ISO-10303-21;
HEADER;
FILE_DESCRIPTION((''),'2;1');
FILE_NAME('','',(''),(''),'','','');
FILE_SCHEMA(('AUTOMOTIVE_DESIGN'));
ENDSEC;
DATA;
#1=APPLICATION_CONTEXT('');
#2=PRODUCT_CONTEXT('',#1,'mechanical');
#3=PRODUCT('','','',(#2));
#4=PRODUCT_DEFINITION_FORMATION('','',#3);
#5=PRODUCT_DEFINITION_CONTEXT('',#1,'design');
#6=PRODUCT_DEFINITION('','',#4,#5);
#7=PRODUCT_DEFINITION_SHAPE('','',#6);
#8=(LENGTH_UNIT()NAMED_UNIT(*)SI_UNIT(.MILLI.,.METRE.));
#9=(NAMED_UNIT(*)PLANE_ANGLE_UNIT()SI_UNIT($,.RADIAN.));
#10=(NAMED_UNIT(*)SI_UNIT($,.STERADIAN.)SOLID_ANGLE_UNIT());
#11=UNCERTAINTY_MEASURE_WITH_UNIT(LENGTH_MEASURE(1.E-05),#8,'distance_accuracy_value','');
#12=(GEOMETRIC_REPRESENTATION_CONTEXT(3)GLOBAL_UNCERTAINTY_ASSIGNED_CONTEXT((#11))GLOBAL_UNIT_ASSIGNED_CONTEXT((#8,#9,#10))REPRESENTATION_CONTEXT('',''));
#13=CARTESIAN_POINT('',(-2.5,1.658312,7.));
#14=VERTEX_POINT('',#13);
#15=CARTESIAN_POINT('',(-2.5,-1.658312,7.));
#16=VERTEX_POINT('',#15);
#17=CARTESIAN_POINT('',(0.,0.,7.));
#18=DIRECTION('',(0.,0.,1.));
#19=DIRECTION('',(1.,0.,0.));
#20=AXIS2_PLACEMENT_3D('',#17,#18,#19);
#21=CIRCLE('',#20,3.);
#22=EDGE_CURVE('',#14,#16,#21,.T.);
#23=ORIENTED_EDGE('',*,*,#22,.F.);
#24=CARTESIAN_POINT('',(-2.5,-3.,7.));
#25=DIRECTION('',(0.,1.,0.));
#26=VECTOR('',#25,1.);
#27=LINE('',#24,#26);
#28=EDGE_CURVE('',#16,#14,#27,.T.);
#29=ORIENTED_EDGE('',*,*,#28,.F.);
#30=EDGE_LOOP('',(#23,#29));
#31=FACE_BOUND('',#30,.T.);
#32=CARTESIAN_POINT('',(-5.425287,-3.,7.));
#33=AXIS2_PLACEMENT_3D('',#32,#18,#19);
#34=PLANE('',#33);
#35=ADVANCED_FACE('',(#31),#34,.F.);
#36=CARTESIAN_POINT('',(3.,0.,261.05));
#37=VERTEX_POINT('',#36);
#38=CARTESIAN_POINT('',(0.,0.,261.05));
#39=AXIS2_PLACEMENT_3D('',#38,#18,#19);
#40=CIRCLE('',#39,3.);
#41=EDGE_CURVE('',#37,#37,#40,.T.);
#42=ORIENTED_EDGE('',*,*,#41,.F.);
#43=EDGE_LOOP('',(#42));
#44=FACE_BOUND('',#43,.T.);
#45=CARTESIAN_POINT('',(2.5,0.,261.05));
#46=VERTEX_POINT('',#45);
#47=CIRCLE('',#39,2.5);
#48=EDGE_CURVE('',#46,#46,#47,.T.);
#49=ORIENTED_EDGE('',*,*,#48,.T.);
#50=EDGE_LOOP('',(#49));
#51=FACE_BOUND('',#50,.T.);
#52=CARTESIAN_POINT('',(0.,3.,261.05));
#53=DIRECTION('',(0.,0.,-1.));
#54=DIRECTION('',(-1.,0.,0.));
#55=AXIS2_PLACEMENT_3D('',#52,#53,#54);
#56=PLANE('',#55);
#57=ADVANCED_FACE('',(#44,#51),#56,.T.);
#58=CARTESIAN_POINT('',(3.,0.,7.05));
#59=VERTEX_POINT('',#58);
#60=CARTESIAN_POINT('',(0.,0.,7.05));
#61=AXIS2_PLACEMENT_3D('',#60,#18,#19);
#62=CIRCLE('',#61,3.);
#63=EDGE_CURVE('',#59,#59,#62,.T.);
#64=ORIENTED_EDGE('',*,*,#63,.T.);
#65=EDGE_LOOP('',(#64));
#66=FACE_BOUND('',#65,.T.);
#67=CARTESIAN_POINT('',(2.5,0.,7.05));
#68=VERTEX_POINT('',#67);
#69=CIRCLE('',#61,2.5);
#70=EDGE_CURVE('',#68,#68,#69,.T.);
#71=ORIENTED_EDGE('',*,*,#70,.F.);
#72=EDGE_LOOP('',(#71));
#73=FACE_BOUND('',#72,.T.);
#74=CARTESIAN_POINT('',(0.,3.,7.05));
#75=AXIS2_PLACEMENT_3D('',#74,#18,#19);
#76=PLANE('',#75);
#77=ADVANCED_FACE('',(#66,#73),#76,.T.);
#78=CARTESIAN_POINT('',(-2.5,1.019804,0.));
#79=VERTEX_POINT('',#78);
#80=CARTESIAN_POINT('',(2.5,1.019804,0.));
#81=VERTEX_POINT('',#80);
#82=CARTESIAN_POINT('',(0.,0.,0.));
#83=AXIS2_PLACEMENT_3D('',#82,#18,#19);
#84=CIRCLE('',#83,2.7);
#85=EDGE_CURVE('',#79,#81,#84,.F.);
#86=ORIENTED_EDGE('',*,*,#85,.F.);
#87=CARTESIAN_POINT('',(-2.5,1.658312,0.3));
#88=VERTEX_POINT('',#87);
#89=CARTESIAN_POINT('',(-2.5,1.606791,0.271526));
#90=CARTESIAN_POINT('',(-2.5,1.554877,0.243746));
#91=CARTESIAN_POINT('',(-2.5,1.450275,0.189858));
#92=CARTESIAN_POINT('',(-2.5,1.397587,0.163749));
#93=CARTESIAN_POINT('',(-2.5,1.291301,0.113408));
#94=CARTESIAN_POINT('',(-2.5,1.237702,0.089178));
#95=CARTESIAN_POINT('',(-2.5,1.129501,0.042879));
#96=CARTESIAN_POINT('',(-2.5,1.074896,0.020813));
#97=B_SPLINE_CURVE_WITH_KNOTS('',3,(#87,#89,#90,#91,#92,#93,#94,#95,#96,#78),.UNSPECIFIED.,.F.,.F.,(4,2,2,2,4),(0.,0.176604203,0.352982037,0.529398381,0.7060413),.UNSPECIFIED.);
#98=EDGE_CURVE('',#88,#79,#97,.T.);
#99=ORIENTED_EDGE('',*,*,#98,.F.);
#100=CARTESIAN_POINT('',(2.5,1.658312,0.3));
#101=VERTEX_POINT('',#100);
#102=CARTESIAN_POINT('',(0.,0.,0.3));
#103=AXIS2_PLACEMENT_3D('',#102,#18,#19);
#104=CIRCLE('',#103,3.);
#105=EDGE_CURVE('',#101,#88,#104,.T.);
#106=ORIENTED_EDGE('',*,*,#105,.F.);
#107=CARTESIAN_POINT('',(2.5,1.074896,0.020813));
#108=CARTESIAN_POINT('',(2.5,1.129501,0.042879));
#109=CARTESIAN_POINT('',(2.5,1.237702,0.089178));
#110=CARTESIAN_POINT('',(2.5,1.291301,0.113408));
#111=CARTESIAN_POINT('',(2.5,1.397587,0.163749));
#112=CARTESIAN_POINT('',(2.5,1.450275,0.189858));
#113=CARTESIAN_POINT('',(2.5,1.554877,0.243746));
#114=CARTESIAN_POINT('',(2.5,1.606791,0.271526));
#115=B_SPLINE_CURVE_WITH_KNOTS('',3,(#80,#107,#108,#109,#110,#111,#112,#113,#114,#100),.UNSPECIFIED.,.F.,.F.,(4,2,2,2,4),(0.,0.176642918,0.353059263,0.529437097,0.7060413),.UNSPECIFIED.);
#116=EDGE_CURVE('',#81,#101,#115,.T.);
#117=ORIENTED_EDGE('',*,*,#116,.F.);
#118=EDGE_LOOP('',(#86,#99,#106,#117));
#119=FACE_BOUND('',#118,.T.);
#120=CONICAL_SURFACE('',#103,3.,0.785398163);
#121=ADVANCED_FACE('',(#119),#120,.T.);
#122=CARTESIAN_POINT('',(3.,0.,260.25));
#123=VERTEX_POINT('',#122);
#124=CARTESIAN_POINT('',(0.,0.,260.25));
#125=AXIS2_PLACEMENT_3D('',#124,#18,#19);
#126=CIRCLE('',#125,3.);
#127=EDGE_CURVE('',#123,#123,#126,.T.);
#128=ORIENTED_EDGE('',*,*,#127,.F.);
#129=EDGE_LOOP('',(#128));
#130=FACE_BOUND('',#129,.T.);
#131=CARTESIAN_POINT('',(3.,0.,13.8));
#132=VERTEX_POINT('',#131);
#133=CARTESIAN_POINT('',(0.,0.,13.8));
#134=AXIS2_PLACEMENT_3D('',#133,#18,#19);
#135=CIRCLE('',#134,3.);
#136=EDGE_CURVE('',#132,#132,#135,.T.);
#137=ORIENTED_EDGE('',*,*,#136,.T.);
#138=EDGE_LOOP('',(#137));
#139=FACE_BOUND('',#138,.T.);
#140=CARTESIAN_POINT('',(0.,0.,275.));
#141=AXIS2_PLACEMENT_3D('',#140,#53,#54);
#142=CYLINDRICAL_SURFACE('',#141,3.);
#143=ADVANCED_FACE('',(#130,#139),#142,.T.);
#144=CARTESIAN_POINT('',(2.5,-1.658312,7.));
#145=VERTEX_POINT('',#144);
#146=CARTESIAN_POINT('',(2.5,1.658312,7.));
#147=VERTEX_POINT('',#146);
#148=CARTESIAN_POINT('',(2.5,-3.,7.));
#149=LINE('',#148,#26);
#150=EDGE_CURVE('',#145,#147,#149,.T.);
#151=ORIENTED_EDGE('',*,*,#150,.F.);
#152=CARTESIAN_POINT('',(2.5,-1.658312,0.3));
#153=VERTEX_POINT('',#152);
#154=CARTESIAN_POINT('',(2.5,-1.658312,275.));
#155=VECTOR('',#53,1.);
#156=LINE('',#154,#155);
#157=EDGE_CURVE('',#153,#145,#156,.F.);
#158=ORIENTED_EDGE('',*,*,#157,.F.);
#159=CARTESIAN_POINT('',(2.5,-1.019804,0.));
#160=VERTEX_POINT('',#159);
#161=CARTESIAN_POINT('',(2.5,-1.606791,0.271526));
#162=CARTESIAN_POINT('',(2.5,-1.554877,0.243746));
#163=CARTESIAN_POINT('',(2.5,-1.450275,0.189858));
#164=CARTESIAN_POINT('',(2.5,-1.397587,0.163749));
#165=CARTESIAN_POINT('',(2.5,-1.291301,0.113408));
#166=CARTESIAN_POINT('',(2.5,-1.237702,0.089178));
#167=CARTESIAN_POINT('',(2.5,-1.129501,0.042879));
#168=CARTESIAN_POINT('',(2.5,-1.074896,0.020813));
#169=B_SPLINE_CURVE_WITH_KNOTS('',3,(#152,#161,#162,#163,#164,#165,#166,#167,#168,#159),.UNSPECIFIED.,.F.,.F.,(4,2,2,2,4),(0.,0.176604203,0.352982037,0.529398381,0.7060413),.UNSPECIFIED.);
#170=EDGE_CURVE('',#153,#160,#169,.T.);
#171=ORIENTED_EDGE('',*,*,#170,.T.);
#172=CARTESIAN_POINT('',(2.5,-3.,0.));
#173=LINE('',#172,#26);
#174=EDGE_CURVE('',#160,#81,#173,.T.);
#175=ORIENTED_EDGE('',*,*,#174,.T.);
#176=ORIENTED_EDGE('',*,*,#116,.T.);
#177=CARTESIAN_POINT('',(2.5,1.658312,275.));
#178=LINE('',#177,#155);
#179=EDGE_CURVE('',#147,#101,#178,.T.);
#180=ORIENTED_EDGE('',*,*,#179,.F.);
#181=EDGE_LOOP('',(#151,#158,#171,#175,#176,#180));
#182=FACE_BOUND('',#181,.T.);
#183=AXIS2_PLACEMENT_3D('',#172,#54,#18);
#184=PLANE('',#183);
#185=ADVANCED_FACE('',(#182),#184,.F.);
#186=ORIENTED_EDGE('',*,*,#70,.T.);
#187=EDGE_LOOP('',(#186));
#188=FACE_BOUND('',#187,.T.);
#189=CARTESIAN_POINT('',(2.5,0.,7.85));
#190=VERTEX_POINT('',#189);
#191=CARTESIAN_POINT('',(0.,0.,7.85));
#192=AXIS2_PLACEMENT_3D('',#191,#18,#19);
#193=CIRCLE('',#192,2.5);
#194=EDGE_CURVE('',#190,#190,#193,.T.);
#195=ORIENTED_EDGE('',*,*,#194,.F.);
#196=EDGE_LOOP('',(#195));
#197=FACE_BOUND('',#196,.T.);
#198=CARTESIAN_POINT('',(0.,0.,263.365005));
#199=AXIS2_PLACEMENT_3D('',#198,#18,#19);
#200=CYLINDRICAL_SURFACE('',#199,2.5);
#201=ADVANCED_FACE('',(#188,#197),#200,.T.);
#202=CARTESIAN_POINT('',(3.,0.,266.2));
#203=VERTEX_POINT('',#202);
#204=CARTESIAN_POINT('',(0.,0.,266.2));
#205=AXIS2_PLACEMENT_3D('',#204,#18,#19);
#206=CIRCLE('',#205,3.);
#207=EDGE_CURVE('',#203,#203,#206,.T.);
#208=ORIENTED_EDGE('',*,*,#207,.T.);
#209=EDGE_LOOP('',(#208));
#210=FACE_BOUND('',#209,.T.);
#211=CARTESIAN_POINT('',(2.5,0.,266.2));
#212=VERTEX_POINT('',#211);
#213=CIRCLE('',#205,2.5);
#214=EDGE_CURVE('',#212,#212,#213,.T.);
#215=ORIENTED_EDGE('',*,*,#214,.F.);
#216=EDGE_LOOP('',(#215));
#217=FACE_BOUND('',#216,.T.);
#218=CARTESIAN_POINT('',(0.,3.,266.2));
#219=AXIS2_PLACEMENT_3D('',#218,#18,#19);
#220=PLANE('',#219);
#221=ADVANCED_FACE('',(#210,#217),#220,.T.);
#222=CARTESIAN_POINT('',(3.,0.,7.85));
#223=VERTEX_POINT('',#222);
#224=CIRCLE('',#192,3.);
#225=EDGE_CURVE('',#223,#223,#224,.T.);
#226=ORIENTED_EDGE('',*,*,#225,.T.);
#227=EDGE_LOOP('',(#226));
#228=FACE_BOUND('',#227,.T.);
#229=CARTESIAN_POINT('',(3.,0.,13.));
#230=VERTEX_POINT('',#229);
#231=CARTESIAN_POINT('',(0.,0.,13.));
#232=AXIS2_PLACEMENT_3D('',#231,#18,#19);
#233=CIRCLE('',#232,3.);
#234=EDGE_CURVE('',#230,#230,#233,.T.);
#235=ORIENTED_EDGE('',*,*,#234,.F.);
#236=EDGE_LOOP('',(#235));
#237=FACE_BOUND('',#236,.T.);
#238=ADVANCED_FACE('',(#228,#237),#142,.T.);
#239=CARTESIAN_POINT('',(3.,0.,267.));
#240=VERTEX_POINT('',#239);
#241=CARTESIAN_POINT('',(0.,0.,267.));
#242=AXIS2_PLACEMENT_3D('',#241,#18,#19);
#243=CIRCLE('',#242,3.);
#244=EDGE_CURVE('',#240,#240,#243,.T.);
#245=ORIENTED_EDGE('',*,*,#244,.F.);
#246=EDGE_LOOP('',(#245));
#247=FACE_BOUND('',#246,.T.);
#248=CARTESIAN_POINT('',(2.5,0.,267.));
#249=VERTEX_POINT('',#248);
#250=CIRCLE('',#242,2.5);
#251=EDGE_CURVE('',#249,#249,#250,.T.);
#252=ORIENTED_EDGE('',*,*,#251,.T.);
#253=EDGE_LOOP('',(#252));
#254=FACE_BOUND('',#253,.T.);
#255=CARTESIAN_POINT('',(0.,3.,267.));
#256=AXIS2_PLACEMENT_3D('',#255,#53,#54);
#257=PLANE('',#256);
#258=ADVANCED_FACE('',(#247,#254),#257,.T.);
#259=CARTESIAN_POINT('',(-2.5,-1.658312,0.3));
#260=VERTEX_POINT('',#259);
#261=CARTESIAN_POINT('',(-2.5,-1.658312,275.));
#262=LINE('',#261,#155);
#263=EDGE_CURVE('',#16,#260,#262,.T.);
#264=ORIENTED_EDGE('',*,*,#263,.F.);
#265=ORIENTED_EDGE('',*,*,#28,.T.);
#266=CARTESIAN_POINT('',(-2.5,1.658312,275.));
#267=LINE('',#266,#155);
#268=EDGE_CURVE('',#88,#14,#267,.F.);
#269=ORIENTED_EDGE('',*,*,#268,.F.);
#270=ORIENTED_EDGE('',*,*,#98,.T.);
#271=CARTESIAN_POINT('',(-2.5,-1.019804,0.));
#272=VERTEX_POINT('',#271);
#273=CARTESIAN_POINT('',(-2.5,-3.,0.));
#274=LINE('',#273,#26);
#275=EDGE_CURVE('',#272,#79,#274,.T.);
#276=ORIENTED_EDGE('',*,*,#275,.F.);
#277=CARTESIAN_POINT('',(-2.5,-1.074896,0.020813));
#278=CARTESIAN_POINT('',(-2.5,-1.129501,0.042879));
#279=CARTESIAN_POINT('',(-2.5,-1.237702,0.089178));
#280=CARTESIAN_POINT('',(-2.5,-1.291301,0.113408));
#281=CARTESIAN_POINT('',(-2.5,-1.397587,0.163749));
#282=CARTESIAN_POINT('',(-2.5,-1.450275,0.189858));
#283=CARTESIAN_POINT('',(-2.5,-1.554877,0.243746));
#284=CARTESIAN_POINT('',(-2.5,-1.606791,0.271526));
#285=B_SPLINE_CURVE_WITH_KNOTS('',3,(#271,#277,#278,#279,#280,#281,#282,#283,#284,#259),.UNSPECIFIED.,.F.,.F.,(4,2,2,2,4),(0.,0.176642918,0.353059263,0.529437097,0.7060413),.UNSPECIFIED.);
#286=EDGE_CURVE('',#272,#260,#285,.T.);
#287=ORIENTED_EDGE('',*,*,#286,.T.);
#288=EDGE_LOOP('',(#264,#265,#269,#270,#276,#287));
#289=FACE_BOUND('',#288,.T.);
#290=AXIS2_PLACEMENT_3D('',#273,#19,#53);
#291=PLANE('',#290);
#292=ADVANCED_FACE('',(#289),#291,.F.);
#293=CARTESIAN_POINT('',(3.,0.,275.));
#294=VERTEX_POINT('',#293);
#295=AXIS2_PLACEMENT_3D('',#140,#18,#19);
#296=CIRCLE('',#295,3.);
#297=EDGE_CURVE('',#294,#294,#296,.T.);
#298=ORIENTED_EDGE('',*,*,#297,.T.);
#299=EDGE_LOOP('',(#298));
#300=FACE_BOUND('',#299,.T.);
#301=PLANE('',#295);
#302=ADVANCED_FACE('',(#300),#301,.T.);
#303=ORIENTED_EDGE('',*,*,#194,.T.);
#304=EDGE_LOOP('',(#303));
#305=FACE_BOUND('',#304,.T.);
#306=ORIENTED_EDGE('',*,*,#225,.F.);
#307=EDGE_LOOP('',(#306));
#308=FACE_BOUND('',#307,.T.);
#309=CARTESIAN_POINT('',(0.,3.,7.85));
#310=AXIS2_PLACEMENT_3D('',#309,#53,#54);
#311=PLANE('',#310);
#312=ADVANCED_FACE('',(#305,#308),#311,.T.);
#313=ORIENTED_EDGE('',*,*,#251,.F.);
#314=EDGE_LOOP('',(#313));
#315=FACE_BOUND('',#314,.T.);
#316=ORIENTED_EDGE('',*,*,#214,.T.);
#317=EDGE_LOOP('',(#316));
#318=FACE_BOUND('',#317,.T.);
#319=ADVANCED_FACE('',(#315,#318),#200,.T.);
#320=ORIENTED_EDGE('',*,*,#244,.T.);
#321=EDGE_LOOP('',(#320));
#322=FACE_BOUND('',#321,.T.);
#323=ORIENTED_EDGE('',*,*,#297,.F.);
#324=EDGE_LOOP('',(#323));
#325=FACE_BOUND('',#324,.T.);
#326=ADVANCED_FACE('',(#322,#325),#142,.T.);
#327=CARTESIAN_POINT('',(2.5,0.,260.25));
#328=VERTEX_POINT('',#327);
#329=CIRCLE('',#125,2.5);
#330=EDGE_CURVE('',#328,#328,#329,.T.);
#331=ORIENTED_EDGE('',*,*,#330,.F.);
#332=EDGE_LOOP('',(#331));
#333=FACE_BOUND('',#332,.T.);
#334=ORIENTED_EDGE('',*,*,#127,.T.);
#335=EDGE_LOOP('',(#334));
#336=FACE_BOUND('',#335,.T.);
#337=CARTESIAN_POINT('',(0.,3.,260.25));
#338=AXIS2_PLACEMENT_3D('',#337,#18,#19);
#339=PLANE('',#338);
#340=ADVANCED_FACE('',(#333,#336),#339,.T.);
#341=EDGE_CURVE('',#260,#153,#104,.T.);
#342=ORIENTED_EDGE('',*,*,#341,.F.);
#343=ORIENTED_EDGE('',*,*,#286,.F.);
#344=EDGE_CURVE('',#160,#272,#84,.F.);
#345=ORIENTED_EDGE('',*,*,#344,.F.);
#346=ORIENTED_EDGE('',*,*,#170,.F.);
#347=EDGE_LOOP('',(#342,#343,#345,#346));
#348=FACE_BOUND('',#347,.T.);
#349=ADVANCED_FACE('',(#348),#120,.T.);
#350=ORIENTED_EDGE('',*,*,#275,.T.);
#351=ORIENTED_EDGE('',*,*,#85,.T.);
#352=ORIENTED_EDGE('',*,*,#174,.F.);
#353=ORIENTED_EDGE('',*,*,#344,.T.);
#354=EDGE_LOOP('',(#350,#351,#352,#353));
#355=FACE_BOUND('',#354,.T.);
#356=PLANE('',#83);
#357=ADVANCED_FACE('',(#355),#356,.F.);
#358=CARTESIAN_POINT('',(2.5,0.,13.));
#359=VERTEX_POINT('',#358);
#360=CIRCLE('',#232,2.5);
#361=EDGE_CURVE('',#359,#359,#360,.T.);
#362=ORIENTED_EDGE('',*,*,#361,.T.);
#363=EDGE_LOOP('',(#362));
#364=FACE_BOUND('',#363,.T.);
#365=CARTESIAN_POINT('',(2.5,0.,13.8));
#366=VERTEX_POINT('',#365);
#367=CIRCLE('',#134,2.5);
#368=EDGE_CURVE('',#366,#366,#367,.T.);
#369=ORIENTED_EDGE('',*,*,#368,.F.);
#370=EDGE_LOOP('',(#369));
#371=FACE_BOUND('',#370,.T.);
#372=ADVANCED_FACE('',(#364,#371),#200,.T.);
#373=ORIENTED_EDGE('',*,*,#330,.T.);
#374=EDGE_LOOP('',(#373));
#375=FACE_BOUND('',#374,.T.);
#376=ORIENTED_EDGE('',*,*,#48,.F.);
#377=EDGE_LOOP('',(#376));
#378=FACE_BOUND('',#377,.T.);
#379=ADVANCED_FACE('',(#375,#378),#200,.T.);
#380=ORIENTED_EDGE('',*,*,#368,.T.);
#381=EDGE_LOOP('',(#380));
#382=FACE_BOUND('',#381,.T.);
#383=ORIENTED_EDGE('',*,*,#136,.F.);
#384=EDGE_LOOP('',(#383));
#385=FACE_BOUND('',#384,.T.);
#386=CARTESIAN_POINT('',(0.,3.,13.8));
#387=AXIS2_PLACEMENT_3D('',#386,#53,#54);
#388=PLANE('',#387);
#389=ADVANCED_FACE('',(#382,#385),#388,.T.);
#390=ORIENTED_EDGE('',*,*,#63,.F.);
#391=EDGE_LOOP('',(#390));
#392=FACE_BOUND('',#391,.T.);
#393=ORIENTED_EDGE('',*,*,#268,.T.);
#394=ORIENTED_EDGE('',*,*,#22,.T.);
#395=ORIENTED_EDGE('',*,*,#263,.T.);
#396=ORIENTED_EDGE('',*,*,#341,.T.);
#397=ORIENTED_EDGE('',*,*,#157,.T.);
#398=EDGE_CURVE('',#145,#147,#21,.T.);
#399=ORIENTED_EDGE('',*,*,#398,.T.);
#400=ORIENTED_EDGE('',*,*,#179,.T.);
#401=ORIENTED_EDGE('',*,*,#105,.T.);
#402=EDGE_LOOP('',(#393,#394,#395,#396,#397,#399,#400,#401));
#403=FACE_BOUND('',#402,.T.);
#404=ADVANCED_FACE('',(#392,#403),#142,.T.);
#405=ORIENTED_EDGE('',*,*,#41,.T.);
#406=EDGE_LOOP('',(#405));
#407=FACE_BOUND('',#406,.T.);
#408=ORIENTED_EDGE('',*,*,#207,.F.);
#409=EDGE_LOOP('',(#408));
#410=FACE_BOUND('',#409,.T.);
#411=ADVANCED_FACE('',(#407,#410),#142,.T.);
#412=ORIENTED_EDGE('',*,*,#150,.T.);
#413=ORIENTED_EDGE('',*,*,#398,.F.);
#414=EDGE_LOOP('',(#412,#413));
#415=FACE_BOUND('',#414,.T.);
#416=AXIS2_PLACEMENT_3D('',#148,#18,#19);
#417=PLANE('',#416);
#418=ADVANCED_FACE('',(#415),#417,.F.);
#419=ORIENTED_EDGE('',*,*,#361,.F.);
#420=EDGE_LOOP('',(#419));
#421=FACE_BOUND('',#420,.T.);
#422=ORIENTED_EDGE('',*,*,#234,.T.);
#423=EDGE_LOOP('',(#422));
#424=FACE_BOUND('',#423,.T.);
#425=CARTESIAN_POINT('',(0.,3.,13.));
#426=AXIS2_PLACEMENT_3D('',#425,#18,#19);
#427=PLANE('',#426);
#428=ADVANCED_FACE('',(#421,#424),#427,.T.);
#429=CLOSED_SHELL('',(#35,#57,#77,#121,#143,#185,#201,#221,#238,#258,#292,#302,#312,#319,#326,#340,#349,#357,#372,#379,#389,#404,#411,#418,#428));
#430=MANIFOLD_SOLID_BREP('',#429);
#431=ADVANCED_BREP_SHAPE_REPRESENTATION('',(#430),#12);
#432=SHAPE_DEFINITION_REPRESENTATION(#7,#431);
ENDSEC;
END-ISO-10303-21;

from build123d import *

# Parameters (mm, degrees)
SKETCH1_R               = 3
BOSS_EXTRUDE1_DEPTH     = 275
SKETCH3_W               = 0.8
SKETCH3_H               = 0.5
CUT_EXTRUDE2_DEPTH      = 276.032725326
CUT_EXTRUDE2_DEPTH_BACK = 276.032725326
SKETCH4_W               = 3.470061058
SKETCH4_H               = 7
SKETCH4_W_2             = 2.92528695
CHAMFER1_SIZE           = 0.3


with BuildPart() as part:
    # Sketch1 → Boss-Extrude1 (new body)
    with BuildSketch(Plane.XY):
        Circle(SKETCH1_R)
    extrude(amount=BOSS_EXTRUDE1_DEPTH)

    # Sketch3 → Cut-Revolve1 (revolve, cut)
    with BuildSketch(Plane(origin=(0, 0, 0), x_dir=(0, 0, -1), z_dir=(1, 0, 0)), mode=Mode.PRIVATE) as cut_revolve1_sk:
        with Locations((-266.6, 2.75)):
            Rectangle(SKETCH3_W, SKETCH3_H)
        with Locations((-260.65, 2.75)):
            Rectangle(SKETCH3_W, SKETCH3_H)
        with Locations((-13.4, 2.75)):
            Rectangle(SKETCH3_W, SKETCH3_H)
        with Locations((-7.45, 2.75)):
            Rectangle(SKETCH3_W, SKETCH3_H)
    revolve(cut_revolve1_sk.sketch.rotate(Axis((0, 0, 263.365004794), (0, 0, -1)), 90), axis=Axis((0, 0, 263.365004794), (0, 0, -1)), mode=Mode.SUBTRACT)

    # Sketch4 → Cut-Extrude2 (cut, two sides: drawn at the far end of the back side and taken through both)
    with BuildSketch(Plane(origin=(0, 0, 0), x_dir=(1, 0, 0), z_dir=(0, 1, 0)).offset(-CUT_EXTRUDE2_DEPTH_BACK)):
        with Locations((4.235030529, -3.5)):
            Rectangle(SKETCH4_W, SKETCH4_H)
        with Locations((-3.962643475, -3.5)):
            Rectangle(SKETCH4_W_2, SKETCH4_H)
    extrude(amount=CUT_EXTRUDE2_DEPTH + CUT_EXTRUDE2_DEPTH_BACK, mode=Mode.SUBTRACT)

    # Chamfer1
    chamfer1_edges = [part.edges().sort_by_distance(p)[0] for p in [
        (0, 3, 0),
        (0, -3, 0),
    ]]
    chamfer(chamfer1_edges, length=CHAMFER1_SIZE)


solid = part.part
